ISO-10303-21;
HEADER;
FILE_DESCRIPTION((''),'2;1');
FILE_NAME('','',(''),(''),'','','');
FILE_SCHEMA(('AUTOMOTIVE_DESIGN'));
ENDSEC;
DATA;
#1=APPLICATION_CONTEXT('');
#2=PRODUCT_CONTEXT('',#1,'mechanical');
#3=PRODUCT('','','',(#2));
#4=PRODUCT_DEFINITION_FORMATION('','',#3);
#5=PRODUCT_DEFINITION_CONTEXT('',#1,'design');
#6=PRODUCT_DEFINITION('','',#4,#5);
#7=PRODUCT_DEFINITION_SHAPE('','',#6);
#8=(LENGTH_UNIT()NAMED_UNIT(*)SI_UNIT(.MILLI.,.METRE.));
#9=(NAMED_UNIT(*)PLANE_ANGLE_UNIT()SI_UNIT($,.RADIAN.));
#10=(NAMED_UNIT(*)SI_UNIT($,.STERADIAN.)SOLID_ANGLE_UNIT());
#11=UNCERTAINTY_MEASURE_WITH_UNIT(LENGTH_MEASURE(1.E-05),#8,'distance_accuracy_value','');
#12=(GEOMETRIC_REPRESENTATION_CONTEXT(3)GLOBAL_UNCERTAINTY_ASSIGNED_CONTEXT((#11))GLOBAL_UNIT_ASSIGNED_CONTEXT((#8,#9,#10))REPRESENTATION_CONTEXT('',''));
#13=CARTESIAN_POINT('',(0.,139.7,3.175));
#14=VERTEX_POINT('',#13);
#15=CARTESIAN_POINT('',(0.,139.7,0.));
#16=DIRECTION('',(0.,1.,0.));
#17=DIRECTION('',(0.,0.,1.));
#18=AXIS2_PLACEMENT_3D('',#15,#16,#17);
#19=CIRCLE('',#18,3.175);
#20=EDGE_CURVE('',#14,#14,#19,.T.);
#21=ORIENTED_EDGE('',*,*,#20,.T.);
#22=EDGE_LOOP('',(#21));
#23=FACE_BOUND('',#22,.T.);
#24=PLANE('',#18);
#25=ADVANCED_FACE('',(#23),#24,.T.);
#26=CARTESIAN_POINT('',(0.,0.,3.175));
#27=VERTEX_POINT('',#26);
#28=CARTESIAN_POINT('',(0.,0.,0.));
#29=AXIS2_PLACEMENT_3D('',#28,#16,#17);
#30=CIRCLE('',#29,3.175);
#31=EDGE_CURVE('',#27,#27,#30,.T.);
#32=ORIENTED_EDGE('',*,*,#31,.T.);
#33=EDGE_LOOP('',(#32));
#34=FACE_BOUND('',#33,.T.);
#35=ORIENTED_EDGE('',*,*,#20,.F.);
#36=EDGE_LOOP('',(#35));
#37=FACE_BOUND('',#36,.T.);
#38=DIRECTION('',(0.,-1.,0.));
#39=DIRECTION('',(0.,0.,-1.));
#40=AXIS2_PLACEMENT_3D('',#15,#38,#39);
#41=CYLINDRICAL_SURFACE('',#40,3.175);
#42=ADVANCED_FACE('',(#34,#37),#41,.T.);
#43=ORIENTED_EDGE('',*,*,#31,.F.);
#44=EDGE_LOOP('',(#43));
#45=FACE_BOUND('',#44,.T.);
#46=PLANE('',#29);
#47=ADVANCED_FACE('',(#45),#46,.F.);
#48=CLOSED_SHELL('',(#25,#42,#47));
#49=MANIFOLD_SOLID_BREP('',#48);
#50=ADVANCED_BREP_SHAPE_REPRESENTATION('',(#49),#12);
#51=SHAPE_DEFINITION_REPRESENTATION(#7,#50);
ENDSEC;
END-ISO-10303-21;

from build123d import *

# Parameters (mm, degrees)
SKETCH1_R           = 3.175
BOSS_EXTRUDE1_DEPTH = 139.7


with BuildPart() as part:
    # Sketch1 → Boss-Extrude1 (new body)
    with BuildSketch(Plane(origin=(0, 0, 0), x_dir=(1, 0, 0), z_dir=(0, 1, 0))):
        Circle(SKETCH1_R)
    extrude(amount=BOSS_EXTRUDE1_DEPTH)


solid = part.part
